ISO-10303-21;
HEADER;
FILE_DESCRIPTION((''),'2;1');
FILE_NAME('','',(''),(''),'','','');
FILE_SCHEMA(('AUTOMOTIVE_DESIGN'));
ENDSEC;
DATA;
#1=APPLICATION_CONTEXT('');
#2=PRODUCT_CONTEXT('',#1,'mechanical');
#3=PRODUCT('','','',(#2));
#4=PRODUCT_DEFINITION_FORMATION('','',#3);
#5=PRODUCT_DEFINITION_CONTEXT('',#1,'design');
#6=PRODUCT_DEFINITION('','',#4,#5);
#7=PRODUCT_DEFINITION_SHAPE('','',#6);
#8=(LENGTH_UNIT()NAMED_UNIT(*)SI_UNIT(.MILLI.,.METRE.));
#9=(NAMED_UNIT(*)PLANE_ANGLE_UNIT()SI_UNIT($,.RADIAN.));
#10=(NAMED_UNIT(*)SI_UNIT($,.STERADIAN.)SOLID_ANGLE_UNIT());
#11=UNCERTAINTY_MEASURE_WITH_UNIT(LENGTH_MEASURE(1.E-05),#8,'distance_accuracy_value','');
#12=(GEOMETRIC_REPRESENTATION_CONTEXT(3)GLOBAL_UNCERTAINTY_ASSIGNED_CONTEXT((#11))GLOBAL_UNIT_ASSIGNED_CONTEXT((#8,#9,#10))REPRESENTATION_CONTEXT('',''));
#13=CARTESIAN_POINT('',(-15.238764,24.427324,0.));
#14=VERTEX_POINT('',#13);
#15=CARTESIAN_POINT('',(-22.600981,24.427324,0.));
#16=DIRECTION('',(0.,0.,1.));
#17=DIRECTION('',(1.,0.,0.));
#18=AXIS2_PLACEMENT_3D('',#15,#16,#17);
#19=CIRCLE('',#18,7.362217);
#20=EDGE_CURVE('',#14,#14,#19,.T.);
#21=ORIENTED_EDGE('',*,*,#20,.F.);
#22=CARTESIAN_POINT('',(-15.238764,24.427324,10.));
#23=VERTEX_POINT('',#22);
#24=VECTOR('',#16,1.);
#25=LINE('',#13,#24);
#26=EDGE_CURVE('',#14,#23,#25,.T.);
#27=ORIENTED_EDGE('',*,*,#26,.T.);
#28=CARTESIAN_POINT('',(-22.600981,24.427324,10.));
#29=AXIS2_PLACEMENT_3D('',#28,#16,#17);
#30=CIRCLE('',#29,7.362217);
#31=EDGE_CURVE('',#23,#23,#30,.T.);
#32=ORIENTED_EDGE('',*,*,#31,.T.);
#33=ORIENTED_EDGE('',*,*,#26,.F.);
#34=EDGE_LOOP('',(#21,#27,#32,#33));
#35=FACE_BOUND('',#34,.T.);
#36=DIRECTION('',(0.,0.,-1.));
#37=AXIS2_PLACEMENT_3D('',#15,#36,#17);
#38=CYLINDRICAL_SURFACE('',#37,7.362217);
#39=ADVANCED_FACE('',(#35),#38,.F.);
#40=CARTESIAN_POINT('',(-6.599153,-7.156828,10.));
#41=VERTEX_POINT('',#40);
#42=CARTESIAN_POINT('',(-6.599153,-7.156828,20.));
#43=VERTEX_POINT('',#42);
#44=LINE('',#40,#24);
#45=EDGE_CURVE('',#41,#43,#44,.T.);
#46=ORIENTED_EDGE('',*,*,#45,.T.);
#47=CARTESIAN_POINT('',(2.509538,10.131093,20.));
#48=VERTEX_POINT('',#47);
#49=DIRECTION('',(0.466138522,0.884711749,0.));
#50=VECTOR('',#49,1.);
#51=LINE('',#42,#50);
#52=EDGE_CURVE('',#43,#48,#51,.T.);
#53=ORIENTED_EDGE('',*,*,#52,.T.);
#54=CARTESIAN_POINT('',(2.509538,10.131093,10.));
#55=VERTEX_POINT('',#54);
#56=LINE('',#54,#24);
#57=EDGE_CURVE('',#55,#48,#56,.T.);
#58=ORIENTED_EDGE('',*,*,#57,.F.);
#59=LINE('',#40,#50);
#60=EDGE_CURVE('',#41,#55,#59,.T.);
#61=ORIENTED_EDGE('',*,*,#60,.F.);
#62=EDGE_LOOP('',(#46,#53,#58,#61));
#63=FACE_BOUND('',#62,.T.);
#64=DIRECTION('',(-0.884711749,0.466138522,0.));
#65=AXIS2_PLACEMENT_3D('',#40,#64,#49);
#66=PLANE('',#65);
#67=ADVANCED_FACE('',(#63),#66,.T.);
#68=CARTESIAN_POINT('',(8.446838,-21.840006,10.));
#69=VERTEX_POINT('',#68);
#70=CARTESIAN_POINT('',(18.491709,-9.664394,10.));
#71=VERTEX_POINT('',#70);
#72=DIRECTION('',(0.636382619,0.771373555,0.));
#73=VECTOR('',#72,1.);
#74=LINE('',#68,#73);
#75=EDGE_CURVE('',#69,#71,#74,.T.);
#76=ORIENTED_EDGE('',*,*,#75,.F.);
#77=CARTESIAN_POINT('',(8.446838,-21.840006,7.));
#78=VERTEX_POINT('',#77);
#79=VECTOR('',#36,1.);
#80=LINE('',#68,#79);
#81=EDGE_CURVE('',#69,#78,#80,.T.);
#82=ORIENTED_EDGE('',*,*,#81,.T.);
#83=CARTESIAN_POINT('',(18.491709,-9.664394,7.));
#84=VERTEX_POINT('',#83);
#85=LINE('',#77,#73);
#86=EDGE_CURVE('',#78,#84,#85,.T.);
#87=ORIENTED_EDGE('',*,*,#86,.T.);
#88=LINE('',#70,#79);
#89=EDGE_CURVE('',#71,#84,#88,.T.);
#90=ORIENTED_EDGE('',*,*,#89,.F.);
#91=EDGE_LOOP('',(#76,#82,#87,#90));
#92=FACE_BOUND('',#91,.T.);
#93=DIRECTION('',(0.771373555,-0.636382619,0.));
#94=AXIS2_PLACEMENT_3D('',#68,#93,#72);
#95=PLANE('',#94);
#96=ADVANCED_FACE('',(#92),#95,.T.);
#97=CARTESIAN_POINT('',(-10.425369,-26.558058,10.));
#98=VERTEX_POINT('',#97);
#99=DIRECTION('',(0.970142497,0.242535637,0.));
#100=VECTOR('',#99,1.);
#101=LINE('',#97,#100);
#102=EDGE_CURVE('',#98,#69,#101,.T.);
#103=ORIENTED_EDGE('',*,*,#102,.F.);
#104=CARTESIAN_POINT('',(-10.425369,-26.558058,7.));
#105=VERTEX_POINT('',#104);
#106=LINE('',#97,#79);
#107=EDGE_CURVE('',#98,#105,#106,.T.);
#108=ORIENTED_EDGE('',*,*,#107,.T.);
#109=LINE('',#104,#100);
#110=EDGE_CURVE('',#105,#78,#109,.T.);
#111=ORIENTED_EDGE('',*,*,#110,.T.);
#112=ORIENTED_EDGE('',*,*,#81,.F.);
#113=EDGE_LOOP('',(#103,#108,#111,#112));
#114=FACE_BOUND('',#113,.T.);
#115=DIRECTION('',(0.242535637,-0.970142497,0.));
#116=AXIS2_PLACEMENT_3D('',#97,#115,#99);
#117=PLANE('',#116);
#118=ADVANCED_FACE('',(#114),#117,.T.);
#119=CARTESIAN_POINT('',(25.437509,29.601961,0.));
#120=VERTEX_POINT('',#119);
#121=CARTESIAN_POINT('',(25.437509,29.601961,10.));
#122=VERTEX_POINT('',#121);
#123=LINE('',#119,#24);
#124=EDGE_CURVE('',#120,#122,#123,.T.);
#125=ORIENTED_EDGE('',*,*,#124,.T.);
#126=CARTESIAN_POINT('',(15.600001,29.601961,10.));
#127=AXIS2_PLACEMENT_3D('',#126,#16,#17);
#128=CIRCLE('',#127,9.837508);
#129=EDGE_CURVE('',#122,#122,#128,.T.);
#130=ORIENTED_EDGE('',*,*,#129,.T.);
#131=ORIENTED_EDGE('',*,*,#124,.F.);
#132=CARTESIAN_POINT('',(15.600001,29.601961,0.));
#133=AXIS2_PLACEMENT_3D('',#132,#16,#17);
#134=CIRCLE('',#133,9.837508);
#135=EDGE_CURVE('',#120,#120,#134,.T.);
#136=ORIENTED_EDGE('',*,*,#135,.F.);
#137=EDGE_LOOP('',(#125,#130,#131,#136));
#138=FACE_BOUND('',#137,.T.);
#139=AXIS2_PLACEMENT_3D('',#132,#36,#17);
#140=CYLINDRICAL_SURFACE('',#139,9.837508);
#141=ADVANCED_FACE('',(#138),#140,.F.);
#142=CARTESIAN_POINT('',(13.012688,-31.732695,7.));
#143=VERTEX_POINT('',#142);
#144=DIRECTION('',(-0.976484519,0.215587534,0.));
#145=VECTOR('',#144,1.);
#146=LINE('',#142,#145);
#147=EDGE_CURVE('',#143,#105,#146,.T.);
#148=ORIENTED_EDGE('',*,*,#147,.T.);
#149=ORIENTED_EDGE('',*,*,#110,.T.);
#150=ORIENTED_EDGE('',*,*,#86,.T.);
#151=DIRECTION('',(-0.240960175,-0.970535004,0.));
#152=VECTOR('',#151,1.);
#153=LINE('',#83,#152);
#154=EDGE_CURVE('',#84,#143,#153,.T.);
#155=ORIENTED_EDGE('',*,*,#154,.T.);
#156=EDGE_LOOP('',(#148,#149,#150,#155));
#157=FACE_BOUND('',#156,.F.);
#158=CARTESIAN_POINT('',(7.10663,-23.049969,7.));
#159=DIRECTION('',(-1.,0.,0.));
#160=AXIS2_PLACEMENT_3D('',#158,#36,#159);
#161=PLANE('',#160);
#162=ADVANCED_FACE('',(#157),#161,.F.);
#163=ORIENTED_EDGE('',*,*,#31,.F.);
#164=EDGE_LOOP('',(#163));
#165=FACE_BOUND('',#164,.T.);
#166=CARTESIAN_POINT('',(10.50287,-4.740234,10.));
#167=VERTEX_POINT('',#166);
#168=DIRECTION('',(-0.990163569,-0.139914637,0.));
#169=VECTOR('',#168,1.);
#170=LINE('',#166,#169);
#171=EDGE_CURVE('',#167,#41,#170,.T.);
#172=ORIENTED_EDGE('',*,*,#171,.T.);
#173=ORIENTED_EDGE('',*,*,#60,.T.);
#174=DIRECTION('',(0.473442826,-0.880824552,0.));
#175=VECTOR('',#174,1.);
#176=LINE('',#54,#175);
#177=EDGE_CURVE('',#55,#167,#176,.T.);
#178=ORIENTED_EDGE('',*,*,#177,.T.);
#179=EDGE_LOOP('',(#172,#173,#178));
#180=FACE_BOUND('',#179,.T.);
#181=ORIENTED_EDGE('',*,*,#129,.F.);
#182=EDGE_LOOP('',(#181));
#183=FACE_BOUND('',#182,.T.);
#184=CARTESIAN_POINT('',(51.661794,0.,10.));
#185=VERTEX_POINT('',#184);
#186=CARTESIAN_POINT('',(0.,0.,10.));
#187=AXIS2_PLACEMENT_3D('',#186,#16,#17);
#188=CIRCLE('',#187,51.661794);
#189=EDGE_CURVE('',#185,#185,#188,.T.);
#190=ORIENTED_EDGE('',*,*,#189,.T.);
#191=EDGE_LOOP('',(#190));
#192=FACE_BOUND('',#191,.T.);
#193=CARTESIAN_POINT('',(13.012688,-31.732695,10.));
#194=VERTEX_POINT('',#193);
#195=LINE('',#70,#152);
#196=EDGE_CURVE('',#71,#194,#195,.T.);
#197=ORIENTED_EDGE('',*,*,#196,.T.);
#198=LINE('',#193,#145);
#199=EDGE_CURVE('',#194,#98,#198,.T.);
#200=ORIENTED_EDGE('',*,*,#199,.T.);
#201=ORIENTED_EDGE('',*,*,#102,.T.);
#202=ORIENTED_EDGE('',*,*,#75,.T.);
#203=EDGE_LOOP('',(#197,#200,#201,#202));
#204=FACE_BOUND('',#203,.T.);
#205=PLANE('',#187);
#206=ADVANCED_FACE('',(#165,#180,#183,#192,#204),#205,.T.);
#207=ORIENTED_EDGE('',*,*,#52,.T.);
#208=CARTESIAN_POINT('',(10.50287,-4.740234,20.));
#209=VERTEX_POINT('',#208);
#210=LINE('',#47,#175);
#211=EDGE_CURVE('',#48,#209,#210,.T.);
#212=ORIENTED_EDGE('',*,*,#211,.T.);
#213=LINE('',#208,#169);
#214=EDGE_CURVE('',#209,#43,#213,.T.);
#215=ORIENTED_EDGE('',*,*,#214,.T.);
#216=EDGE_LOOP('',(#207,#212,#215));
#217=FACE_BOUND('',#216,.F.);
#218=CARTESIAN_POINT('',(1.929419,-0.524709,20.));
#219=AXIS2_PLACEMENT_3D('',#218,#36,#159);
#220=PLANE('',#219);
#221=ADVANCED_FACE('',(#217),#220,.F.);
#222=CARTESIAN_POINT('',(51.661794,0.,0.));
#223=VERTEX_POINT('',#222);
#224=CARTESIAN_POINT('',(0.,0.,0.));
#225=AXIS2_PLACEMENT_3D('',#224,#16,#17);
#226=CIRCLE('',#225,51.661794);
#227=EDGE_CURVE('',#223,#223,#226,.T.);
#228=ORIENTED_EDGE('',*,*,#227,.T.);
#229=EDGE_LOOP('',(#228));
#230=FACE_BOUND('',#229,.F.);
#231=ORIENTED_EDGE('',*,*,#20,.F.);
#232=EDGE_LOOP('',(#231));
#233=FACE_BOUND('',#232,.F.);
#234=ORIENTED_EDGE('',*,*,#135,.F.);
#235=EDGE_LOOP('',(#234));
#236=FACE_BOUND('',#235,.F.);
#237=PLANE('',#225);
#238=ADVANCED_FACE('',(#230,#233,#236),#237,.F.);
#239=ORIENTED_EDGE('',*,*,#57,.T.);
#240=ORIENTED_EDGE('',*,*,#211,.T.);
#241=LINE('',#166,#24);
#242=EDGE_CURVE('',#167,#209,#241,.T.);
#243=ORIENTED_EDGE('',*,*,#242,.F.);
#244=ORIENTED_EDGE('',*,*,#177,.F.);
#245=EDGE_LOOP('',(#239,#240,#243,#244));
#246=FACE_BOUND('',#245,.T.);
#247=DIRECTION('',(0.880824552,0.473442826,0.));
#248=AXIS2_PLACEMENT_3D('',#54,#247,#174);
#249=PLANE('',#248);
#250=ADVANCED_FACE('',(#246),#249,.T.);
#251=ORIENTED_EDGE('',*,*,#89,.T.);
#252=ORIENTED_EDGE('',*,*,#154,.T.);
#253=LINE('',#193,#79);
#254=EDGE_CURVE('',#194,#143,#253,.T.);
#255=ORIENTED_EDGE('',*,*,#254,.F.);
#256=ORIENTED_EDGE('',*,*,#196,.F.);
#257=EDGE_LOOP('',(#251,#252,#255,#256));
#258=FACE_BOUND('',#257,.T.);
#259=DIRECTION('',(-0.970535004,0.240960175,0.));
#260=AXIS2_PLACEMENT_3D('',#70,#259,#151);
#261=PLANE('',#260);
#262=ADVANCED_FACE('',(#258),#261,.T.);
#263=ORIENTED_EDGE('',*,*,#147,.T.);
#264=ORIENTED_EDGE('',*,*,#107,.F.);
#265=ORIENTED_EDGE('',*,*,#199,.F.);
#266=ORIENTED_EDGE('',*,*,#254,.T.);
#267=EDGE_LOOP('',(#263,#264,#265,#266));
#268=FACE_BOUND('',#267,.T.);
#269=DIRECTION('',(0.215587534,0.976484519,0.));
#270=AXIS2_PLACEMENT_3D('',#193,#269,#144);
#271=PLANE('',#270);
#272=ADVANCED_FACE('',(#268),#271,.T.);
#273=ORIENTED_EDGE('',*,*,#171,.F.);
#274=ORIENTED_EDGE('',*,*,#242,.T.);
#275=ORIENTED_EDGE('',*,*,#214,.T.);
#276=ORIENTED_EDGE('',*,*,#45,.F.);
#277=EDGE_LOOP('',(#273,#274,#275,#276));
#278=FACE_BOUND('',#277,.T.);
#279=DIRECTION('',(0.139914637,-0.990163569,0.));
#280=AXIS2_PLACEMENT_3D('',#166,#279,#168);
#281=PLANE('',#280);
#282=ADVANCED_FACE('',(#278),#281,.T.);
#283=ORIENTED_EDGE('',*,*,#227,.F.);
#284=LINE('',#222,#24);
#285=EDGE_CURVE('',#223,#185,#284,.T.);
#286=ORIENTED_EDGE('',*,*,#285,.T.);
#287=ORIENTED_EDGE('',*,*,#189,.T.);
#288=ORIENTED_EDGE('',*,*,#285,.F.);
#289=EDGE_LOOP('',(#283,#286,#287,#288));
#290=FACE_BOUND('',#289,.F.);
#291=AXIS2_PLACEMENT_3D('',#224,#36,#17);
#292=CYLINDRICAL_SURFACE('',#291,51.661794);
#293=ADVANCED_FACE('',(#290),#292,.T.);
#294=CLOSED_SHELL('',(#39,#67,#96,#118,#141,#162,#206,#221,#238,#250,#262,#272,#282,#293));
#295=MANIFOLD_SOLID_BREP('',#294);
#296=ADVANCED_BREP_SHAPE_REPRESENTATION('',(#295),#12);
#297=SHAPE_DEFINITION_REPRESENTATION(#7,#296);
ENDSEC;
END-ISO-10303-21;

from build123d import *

# Parameters (mm, degrees)
SKETCH_R     = 51.661794
SKETCH_R_2   = 7.362217
SKETCH_R_3   = 9.837508
PAD_DEPTH    = 10
POCKET_DEPTH = 3
PAD001_DEPTH = 10


with BuildPart() as part:
    # Sketch → Pad (new body)
    with BuildSketch(Plane.XY):
        Circle(SKETCH_R)
        with Locations((-22.600981, 24.427324)):
            Circle(SKETCH_R_2, mode=Mode.SUBTRACT)
        with Locations((15.600001, 29.601961)):
            Circle(SKETCH_R_3, mode=Mode.SUBTRACT)
    extrude(amount=PAD_DEPTH)

    # Sketch001 → Pocket (cut)
    with BuildSketch(Plane.XY.offset(10)):
        Polygon((-10.425369, -26.558058), (8.446838, -21.840006), (18.491709, -9.664394), (13.012688, -31.732695), align=None)
    extrude(amount=-POCKET_DEPTH, mode=Mode.SUBTRACT)

    # Sketch002 → Pad001 (new body)
    with BuildSketch(Plane.XY.offset(10)):
        Polygon((-6.599153, -7.156828), (2.509538, 10.131093), (10.50287, -4.740234), align=None)
    extrude(amount=PAD001_DEPTH)


solid = part.part
